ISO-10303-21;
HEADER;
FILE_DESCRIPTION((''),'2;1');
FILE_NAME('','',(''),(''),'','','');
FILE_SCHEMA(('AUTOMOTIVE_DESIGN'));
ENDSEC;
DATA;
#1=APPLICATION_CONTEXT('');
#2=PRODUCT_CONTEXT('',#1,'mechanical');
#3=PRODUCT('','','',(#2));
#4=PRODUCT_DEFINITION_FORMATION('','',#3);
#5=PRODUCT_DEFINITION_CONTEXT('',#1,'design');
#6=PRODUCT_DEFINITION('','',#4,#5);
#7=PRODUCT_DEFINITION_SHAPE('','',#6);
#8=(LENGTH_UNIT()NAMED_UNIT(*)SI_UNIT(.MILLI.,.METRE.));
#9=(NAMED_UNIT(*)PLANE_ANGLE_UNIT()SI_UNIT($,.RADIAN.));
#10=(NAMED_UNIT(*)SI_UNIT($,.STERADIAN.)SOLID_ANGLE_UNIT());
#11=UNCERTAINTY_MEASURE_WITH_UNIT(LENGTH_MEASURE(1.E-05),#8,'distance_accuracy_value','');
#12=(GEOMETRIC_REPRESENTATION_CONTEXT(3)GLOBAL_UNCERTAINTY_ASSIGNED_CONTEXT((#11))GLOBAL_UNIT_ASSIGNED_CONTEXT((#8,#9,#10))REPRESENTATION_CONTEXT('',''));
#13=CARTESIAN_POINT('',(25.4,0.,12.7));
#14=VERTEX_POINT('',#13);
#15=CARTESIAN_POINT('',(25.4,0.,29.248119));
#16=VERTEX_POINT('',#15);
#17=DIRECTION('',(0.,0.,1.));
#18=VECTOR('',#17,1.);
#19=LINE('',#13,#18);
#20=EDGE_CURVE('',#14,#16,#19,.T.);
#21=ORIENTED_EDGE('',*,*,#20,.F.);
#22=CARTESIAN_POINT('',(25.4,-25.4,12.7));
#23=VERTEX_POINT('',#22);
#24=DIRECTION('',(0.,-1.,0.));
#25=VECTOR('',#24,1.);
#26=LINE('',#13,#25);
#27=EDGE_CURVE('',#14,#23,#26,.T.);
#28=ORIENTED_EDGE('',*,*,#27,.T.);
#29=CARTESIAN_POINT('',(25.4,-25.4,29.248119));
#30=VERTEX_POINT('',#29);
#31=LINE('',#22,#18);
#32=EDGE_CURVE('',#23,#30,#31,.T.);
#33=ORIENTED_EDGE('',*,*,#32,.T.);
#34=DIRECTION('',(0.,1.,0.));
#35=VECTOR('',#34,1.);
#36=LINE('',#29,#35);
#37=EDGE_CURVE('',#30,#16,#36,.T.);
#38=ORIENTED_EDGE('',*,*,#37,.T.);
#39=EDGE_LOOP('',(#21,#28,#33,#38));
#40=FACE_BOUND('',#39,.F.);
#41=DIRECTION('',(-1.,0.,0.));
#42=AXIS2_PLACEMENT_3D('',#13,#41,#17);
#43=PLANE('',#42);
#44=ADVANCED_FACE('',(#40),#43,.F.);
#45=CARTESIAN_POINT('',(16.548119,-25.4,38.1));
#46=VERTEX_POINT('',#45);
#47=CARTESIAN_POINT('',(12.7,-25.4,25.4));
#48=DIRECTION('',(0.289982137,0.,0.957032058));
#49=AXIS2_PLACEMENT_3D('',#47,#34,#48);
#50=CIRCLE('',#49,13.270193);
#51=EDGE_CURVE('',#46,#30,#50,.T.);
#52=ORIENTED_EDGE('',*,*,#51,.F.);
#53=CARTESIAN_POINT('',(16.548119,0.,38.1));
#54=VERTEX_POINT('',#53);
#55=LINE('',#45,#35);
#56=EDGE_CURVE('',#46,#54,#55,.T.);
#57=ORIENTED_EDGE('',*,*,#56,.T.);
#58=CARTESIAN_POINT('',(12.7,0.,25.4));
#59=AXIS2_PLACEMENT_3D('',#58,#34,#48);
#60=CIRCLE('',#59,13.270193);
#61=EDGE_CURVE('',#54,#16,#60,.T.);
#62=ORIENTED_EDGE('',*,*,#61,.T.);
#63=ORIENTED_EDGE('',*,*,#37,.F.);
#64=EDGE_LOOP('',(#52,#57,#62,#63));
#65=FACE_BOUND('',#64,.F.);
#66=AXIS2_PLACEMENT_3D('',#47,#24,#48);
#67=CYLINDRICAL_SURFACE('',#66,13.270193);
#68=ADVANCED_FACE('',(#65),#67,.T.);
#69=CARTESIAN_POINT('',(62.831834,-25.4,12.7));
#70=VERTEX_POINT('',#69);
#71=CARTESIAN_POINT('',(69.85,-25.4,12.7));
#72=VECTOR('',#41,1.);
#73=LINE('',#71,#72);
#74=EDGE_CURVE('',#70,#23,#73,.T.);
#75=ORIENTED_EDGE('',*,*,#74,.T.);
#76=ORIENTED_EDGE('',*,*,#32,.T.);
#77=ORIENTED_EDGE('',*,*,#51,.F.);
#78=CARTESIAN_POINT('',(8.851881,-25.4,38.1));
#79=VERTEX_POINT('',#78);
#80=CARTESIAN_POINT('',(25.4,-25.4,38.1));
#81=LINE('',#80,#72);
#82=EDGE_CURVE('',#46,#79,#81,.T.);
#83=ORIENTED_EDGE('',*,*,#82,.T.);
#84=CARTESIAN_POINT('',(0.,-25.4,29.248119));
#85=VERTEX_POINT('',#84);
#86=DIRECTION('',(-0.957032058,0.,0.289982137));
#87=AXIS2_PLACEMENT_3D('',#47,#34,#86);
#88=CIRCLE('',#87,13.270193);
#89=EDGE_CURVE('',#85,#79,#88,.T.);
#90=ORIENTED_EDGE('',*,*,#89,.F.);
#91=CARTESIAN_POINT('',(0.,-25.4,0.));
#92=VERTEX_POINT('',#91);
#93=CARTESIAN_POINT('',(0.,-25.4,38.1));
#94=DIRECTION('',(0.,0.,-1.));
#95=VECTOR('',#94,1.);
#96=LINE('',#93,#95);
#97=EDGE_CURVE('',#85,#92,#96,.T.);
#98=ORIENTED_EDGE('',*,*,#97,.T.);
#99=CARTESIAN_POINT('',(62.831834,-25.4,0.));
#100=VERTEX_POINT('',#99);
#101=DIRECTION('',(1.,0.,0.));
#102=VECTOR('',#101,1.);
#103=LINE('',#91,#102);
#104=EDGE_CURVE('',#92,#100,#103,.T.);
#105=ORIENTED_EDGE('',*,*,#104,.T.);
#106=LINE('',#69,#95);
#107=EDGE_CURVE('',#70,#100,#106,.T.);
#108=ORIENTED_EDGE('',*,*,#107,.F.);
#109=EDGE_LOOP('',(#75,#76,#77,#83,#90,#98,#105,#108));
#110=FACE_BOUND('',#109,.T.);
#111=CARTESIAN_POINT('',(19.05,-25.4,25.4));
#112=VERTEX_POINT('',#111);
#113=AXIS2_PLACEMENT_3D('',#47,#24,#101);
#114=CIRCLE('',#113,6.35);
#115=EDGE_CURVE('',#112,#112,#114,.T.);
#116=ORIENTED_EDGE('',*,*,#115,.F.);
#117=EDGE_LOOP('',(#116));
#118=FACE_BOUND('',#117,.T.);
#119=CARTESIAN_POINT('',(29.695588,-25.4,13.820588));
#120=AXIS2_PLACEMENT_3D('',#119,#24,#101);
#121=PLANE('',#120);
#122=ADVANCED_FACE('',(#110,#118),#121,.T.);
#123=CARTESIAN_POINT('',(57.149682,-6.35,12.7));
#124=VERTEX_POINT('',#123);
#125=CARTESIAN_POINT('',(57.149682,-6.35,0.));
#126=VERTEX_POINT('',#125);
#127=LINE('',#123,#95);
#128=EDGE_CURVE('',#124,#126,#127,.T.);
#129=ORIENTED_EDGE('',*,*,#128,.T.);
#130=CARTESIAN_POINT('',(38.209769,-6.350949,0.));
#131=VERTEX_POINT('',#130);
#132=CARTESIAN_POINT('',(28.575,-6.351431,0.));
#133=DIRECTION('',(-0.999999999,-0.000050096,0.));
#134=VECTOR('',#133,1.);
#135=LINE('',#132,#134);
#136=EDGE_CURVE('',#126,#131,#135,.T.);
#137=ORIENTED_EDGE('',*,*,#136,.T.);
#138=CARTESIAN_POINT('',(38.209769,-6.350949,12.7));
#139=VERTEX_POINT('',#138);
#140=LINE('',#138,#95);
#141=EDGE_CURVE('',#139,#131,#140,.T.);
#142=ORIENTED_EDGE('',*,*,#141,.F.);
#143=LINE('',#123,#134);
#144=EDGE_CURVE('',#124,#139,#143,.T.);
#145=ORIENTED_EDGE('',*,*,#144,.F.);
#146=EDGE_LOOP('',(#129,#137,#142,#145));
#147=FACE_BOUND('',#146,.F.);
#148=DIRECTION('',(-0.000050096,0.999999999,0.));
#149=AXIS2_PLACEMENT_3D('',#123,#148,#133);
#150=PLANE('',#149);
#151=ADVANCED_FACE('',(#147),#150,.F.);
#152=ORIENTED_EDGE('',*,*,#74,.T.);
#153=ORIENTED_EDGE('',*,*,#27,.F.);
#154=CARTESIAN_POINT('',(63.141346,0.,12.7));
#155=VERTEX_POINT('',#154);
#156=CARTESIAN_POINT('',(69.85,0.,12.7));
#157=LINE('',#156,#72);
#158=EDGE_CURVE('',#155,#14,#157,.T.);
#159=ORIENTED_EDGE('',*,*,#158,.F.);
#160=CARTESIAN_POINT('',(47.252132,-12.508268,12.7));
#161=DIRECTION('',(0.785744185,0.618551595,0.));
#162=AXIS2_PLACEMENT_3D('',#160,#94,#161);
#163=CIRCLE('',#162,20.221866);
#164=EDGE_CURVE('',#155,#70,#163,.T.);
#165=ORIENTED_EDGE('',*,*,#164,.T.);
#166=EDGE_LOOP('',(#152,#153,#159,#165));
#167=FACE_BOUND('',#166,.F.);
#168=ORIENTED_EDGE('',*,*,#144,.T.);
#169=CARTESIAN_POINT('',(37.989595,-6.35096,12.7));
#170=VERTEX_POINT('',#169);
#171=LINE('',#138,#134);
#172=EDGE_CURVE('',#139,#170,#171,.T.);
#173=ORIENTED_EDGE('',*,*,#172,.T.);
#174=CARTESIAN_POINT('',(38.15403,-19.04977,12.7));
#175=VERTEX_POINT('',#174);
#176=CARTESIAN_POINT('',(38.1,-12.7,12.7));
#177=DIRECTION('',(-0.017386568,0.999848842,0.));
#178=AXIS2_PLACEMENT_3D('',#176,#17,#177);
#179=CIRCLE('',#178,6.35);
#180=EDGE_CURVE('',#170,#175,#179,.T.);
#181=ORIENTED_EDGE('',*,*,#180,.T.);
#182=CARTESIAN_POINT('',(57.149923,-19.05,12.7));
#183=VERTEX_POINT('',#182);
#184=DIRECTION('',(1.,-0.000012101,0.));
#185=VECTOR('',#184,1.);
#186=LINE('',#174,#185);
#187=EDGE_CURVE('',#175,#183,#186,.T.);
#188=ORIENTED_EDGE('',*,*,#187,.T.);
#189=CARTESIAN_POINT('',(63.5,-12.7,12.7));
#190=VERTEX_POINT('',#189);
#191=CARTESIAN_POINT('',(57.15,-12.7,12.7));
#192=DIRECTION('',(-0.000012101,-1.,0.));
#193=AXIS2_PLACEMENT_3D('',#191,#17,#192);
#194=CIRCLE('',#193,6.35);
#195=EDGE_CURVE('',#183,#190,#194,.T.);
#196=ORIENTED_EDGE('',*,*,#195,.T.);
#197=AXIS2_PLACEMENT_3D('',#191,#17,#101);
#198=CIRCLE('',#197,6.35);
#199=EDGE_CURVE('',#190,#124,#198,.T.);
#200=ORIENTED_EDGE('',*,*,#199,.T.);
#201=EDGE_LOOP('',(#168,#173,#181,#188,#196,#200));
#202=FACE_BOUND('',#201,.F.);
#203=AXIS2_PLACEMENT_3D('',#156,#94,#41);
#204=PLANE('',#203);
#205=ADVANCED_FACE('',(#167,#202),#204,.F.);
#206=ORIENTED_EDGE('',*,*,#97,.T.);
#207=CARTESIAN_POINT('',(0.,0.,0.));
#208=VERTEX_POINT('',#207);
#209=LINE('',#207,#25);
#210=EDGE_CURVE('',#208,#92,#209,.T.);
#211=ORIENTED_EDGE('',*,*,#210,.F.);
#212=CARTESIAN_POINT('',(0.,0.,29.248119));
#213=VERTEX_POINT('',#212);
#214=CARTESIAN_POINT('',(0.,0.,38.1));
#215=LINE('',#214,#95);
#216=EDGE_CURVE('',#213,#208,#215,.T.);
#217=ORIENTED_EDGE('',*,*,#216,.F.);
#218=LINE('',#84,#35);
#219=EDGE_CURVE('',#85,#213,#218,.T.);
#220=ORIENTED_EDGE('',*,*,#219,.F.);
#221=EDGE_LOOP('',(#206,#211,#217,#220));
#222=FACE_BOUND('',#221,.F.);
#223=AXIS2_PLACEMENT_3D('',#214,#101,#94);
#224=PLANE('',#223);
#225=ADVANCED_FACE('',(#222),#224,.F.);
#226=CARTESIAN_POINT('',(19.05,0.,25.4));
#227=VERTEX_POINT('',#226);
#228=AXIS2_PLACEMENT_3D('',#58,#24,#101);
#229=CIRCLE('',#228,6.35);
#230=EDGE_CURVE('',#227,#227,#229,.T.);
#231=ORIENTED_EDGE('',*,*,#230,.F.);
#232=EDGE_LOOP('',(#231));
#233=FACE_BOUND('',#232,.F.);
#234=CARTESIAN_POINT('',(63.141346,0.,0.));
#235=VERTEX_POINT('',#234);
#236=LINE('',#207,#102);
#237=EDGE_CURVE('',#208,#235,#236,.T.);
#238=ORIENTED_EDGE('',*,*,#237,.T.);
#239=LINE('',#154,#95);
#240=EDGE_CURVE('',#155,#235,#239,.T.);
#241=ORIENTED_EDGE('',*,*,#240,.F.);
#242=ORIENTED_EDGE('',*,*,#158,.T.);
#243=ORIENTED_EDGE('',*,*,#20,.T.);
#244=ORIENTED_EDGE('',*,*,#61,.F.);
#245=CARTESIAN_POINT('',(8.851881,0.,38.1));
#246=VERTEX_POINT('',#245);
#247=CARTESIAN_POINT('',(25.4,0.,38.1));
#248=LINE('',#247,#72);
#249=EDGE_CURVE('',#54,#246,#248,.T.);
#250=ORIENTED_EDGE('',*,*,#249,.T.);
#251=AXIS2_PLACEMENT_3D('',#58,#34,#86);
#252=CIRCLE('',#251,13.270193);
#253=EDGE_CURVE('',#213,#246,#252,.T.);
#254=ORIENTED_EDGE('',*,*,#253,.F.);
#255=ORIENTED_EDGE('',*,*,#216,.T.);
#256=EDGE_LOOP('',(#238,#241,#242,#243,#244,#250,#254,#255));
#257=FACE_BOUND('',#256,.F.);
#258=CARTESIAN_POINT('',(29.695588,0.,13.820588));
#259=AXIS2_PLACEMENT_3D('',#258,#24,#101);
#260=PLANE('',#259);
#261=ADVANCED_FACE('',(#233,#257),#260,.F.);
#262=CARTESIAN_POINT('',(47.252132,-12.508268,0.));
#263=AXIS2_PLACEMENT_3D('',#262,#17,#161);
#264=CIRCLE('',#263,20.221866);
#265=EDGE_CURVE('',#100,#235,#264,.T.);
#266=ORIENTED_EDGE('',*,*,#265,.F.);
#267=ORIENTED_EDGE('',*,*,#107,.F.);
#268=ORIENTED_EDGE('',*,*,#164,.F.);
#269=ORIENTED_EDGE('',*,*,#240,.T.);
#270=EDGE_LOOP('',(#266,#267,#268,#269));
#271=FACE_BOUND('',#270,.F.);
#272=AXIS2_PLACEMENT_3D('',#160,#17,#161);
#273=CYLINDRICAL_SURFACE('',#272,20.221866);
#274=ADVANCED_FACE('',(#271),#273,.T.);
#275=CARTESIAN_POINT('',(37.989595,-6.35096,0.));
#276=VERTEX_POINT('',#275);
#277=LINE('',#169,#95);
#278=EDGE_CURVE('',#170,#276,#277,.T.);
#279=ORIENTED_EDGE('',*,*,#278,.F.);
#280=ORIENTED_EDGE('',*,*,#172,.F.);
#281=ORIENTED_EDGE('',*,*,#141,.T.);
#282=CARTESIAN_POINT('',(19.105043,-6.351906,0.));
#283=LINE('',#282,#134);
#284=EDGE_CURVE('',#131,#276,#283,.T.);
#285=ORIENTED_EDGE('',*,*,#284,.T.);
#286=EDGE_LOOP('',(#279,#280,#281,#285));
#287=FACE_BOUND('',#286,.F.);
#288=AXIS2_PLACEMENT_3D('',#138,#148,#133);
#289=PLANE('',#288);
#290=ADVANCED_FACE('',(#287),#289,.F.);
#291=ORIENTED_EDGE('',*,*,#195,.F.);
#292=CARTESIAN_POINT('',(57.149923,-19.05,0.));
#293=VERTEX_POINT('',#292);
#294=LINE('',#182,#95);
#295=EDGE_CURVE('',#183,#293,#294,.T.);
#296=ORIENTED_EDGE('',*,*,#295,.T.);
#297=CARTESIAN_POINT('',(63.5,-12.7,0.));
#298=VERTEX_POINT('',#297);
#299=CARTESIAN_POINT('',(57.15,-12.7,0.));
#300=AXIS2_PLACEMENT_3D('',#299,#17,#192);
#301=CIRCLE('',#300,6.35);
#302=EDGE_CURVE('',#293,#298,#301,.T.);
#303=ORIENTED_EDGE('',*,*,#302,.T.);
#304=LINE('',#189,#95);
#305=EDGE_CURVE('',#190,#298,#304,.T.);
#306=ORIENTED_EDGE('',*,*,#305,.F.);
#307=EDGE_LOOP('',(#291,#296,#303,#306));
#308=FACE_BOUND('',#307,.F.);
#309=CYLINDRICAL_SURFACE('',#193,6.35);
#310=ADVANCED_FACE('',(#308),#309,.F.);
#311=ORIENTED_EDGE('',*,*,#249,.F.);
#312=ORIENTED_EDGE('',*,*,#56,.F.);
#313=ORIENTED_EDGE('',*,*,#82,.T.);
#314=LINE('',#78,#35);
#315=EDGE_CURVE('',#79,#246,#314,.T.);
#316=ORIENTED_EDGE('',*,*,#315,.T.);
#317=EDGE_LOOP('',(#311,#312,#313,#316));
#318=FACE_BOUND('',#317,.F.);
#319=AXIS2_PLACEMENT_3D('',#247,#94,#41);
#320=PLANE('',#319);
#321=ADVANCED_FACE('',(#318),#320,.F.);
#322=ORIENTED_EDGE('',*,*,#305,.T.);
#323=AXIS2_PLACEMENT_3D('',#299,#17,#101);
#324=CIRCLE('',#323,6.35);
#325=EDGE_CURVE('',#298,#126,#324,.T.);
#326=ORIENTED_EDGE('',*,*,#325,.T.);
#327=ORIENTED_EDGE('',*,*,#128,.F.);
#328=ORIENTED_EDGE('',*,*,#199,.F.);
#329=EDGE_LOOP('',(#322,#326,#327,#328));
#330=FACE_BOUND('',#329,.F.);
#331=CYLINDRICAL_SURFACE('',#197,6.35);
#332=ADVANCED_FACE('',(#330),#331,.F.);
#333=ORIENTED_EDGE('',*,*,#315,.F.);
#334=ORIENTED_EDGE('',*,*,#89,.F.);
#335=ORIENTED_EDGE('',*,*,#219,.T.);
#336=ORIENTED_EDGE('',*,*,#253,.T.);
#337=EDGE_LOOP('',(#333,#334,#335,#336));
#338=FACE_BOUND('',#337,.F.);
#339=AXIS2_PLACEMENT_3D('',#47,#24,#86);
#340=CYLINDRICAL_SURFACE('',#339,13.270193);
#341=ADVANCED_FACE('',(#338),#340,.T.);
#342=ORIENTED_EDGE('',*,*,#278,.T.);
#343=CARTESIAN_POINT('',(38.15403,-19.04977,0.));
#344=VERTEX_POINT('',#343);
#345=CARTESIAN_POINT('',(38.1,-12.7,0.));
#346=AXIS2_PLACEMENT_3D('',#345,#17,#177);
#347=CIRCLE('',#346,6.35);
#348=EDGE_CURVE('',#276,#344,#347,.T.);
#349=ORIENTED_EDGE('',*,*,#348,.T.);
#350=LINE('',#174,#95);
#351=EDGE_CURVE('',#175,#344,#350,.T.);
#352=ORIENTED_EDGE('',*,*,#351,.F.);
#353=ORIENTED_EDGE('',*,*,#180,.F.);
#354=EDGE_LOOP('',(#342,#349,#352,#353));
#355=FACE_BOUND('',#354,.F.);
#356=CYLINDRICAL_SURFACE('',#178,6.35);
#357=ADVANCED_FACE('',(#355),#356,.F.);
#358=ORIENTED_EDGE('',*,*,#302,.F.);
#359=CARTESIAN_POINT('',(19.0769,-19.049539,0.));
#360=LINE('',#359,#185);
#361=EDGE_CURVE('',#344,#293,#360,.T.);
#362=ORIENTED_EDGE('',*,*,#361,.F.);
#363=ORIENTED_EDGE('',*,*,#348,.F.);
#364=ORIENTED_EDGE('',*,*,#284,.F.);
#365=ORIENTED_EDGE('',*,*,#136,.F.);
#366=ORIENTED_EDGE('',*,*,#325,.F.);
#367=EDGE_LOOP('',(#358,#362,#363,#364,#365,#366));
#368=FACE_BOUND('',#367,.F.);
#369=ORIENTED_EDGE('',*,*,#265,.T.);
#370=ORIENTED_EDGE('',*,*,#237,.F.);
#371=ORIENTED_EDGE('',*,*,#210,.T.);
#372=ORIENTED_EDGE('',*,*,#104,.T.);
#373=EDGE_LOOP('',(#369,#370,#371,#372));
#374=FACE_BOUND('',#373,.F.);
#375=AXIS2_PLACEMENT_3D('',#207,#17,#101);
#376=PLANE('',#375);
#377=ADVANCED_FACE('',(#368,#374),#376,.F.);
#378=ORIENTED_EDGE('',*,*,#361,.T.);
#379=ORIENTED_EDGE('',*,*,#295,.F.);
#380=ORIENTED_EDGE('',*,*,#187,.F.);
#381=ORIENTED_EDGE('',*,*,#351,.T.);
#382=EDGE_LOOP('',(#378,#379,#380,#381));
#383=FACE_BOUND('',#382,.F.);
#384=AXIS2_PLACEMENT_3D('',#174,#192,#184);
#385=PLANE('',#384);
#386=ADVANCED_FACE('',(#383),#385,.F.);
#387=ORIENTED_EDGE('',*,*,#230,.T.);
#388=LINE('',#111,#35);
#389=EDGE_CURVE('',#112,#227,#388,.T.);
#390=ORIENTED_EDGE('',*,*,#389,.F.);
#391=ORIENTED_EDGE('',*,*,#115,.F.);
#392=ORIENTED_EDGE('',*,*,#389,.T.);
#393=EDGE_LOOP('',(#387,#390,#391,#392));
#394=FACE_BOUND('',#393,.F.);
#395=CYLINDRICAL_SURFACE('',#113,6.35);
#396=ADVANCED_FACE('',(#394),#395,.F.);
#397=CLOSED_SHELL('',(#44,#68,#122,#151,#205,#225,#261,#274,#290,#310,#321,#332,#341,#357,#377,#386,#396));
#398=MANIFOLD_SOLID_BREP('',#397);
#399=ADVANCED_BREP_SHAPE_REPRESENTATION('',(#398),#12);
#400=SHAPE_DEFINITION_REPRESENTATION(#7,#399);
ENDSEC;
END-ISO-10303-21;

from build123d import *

# Parameters (mm, degrees)
F1_DEPTH = 25.4
F2_R     = 6.35
F3_DEPTH = 25.4
F5_DEPTH = 25.4
F7_DEPTH = 25.4


with BuildPart() as f1:
    # F0 (on Front) → F1 (new body)
    with BuildSketch(Plane.XZ):
        Polygon((0, 38.1), (0, 0), (69.85, 0), (69.85, 12.7), (25.4, 12.7), (25.4, 38.1), align=None)
    extrude(amount=F1_DEPTH)

    # F2 (on face) → F3 (cut)
    with BuildSketch(Plane.XZ.offset(25.4)):
        with Locations((12.7, 25.4)):
            Circle(F2_R)
    extrude(amount=-F3_DEPTH, mode=Mode.SUBTRACT)

    # F4 (on face) → F5 (cut)
    with BuildSketch(Plane.XZ.offset(25.4)):
        with BuildLine():
            ThreePointArc((0, 29.248118894), (3.3165566282, 34.7834433718), (8.851881106, 38.1))
            Line((8.851881106, 38.1), (0, 38.1))
            Line((0, 38.1), (0, 29.248118894))
        make_face()
        with BuildLine():
            ThreePointArc((16.548118894, 38.1), (22.0834433718, 34.7834433718), (25.4, 29.248118894))
            Line((25.4, 29.248118894), (25.4, 38.1))
            Line((25.4, 38.1), (16.548118894, 38.1))
        make_face()
    extrude(amount=-F5_DEPTH, mode=Mode.SUBTRACT)

    # F6 (on face) → F7 (cut)
    with BuildSketch(Plane.XY.offset(12.7)):
        with BuildLine():
            Line((38.209768584, -6.3509488222), (37.9895952922, -6.350959852))
            ThreePointArc((37.9895952922, -6.350959852), (31.7505322918, -12.7822181363), (38.1540299444, -19.0497701348))
            ThreePointArc((38.1540299444, -19.0497701348), (42.6091900684, -17.1709847826), (44.45, -12.7))
            ThreePointArc((44.45, -12.7), (42.6287708326, -8.2488501771), (38.209768584, -6.3509488222))
        make_face()
        with BuildLine():
            ThreePointArc((44.45, -12.7), (42.6091900684, -17.1709847826), (38.1540299444, -19.0497701348))
            Line((38.1540299444, -19.0497701348), (57.1499231602, -19.0499999995))
            ThreePointArc((57.1499231602, -19.0499999995), (50.8000000011, -12.700120635), (57.1496818903, -6.350000008))
            Line((57.1496818903, -6.350000008), (38.209768584, -6.3509488222))
            ThreePointArc((38.209768584, -6.3509488222), (42.6287708326, -8.2488501771), (44.45, -12.7))
        make_face()
        with BuildLine():
            ThreePointArc((57.1496818903, -6.350000008), (50.8000000011, -12.700120635), (57.1499231602, -19.0499999995))
            ThreePointArc((57.1499231602, -19.0499999995), (61.6401008935, -17.1901552274), (63.5, -12.7))
            ThreePointArc((63.5, -12.7), (61.6400155904, -8.2097594721), (57.1496818903, -6.350000008))
        make_face()
        with BuildLine():
            ThreePointArc((63.1413459778, 0), (67.4724972226, -12.7546630792), (62.8318339586, -25.4))
            Line((62.8318339586, -25.4), (69.85, -25.4))
            Line((69.85, -25.4), (69.85, 0))
            Line((69.85, 0), (63.1413459778, 0))
        make_face()
    extrude(amount=-F7_DEPTH, mode=Mode.SUBTRACT)


solid = f1.part
